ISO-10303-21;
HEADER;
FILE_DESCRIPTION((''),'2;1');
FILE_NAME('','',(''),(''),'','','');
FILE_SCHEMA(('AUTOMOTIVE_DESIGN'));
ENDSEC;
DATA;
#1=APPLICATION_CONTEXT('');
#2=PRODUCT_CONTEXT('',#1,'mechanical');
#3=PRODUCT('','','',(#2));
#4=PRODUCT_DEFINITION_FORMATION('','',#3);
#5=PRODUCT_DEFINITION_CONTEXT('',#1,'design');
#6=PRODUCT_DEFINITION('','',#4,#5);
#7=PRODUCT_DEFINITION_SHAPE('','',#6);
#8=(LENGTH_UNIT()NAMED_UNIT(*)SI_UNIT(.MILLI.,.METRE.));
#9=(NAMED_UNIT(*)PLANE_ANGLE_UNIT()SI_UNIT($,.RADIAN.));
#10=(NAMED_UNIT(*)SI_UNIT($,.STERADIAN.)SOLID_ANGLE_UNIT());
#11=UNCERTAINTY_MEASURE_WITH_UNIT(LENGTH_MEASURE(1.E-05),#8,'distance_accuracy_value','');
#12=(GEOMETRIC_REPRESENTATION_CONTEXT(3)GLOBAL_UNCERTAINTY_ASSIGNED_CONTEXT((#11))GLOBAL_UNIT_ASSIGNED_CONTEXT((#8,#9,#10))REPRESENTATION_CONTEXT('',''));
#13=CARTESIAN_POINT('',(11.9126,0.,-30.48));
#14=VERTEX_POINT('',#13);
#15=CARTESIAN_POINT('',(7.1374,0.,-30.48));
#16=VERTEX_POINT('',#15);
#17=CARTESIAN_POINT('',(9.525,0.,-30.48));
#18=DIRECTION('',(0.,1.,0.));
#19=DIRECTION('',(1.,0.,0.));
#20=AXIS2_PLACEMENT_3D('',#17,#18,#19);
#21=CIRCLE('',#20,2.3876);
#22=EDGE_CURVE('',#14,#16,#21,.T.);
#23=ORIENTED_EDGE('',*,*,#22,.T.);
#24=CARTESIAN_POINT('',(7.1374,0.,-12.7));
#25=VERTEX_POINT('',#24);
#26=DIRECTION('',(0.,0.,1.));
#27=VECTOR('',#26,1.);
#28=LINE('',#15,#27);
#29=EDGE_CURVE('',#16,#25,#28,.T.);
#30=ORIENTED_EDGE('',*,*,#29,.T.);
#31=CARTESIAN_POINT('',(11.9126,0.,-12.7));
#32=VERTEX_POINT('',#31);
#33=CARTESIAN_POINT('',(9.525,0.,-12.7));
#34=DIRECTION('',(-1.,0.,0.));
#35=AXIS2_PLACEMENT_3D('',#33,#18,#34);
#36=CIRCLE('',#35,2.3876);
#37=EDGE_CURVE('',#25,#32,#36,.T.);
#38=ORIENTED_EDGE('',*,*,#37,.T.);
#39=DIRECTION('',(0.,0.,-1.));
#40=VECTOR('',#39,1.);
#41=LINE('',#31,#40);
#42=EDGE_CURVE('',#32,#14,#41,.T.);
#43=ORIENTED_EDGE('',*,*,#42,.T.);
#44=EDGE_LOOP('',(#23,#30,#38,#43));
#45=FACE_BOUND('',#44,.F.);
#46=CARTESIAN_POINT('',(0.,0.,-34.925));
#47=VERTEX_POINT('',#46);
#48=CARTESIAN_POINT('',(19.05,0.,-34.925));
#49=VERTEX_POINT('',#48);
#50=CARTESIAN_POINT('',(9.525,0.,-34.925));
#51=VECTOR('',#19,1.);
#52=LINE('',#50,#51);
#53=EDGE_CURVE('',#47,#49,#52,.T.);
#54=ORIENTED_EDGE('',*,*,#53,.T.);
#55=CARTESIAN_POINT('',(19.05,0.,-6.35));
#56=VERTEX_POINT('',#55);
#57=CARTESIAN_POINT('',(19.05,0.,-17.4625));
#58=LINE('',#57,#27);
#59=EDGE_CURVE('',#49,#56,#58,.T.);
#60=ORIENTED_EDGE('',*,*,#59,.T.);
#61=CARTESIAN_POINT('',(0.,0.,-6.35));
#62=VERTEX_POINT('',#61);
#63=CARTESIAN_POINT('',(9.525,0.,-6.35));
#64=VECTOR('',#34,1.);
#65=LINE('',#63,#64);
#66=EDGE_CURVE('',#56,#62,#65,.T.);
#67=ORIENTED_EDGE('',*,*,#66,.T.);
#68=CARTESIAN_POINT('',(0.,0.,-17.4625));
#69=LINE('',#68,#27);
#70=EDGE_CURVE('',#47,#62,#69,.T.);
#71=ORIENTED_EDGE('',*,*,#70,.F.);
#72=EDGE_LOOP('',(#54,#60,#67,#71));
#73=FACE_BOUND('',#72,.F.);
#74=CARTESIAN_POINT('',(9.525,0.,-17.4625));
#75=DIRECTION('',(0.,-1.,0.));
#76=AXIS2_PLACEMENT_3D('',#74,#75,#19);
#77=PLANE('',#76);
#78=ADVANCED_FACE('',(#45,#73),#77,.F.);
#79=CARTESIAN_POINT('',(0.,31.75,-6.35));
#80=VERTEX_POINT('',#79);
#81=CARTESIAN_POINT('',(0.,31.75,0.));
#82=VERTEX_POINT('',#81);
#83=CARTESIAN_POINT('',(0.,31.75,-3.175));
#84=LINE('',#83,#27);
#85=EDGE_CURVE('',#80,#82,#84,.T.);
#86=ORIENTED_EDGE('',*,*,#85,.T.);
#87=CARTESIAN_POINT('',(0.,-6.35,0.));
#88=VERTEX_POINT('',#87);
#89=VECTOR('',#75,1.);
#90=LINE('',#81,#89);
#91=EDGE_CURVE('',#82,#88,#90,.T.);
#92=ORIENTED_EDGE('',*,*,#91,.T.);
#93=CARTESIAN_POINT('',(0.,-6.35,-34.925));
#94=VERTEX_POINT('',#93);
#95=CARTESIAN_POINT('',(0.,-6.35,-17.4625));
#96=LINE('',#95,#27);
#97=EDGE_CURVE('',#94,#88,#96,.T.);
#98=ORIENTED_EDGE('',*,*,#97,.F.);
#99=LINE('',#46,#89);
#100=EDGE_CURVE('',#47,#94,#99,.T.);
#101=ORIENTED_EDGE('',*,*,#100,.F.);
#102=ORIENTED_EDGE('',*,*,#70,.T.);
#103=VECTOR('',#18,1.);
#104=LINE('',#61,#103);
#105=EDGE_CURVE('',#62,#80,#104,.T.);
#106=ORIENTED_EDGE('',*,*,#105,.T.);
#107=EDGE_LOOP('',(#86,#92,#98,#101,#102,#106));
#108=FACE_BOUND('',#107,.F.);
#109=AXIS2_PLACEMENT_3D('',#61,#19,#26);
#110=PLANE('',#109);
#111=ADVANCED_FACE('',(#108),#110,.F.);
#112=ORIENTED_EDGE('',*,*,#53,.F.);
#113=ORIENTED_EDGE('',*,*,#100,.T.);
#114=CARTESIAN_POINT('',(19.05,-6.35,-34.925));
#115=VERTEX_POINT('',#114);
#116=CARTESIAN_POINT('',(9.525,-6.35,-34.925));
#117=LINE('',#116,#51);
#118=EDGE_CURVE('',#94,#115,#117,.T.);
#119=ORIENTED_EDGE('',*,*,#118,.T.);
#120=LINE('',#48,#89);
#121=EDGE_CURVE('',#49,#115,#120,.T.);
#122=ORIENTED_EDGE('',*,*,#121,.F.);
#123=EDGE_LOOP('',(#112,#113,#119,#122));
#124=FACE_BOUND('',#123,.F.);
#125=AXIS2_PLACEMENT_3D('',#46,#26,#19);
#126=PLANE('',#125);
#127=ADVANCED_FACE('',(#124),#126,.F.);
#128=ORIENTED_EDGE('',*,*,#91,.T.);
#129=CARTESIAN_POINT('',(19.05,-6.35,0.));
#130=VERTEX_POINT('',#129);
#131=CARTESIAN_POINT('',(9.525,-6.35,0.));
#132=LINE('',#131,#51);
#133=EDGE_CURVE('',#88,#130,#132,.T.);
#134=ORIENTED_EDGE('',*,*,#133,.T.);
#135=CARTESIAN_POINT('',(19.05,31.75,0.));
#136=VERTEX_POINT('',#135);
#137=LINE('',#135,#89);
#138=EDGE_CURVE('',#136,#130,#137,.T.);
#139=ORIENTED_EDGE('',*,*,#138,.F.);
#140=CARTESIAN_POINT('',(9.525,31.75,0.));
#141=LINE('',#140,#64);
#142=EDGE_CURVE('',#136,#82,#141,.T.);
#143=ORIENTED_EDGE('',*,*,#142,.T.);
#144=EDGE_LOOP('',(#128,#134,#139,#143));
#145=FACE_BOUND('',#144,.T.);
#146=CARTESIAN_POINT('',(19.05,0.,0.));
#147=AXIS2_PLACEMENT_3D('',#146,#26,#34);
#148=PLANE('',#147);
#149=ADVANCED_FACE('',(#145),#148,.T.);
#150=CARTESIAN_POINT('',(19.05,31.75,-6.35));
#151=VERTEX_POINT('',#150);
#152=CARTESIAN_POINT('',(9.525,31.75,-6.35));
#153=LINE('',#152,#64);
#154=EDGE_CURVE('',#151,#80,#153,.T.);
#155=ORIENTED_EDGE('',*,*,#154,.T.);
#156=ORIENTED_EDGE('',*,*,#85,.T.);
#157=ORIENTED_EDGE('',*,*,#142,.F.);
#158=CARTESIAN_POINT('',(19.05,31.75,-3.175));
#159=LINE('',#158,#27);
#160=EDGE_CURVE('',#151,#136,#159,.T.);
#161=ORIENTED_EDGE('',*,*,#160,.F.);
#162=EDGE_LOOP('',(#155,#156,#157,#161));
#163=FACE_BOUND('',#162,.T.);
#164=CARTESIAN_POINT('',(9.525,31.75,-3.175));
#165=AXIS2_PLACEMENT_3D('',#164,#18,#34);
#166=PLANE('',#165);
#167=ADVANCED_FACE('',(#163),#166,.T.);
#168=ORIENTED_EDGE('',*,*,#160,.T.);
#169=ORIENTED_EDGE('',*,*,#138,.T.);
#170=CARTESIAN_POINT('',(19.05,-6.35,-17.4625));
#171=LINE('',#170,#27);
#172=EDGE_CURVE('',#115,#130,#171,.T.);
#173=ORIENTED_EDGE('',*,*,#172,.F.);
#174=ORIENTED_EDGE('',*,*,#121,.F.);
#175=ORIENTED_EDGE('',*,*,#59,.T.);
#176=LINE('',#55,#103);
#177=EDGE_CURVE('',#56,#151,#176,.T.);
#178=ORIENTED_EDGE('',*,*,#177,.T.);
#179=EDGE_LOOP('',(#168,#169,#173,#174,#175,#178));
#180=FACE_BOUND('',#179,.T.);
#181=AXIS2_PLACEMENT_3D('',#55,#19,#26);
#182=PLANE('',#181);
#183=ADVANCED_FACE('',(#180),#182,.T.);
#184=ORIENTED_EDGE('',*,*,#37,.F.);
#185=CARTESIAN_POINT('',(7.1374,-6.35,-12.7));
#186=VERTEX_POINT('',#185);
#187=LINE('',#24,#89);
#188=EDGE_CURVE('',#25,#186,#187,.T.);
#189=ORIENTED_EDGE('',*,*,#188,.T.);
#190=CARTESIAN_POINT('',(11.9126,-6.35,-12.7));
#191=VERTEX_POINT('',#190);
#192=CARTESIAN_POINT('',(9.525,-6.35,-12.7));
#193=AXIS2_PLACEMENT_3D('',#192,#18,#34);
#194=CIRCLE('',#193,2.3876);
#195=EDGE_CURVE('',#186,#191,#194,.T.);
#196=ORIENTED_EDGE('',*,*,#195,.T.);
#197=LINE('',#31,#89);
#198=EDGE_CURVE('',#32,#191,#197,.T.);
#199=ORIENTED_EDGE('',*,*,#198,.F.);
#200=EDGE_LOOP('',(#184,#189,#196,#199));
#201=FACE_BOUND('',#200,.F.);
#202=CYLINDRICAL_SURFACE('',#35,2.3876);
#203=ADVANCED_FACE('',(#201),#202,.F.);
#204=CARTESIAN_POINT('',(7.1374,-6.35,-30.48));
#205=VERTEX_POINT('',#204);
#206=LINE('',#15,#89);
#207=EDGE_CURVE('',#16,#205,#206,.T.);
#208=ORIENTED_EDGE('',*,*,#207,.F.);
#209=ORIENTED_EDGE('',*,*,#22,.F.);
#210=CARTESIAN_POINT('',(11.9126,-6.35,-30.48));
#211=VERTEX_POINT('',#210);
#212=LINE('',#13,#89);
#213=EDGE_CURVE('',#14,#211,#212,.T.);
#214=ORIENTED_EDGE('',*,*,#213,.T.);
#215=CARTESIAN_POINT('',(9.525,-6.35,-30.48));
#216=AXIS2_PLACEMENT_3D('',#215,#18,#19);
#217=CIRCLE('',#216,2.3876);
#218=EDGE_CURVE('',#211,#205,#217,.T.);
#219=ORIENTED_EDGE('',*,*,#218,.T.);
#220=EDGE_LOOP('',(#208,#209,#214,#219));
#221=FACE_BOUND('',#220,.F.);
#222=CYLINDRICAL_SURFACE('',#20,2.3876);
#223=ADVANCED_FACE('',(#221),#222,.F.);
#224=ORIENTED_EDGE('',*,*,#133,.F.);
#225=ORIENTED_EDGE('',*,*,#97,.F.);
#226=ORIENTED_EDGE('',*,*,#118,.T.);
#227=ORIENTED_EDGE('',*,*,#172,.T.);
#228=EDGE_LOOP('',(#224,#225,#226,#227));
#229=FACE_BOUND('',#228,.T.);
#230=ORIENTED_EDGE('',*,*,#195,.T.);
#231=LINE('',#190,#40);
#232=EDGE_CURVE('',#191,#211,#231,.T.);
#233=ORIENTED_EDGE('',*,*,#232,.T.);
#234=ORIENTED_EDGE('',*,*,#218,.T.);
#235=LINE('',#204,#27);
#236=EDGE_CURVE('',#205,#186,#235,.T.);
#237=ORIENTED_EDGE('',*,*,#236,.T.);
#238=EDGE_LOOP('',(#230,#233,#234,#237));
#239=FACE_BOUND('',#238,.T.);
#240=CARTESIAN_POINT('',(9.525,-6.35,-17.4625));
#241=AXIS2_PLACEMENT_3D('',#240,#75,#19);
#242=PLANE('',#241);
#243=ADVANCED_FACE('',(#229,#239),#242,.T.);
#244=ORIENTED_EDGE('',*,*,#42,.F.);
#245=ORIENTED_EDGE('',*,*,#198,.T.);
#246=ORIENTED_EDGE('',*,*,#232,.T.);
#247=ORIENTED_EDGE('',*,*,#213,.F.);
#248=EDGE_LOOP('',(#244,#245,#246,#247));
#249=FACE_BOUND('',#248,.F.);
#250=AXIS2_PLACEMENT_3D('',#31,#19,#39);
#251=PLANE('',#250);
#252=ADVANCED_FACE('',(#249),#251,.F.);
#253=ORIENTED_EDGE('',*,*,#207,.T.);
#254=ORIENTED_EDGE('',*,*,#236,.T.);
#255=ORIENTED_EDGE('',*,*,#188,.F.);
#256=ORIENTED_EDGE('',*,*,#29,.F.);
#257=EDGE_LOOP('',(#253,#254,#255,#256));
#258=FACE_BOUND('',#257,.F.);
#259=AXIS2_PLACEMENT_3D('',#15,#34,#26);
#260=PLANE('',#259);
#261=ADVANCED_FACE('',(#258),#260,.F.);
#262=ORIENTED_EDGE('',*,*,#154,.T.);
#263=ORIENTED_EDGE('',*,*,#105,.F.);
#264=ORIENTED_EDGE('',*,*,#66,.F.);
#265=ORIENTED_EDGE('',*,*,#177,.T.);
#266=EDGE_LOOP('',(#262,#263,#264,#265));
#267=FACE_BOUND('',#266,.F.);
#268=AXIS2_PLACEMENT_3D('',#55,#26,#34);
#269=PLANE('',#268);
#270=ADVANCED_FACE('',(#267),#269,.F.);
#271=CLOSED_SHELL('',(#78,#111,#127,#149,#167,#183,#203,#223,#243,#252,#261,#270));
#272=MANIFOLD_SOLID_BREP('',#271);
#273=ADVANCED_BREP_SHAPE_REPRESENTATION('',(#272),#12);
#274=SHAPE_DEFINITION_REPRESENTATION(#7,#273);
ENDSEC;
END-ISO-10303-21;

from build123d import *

# Parameters (mm, degrees)
F0_W     = 19.05
F0_H     = 34.925
F1_DEPTH = 6.35
F2_W     = 19.05
F2_H     = 6.35
F3_DEPTH = 31.75


with BuildPart() as f1:
    # F0 (on Front) → F1 (new body)
    with BuildSketch(Plane.XZ):
        with Locations((9.525, -17.4625)):
            Rectangle(F0_W, F0_H)
        with BuildLine():
            ThreePointArc((7.1374, -12.7), (9.525, -10.3124), (11.9126, -12.7))
            Line((11.9126, -12.7), (11.9126, -30.48))
            ThreePointArc((11.9126, -30.48), (9.525, -32.8676), (7.1374, -30.48))
            Line((7.1374, -30.48), (7.1374, -12.7))
        make_face(mode=Mode.SUBTRACT)
    extrude(amount=F1_DEPTH)

    # F2 (on face) → F3 (join)
    with BuildSketch(Plane(origin=(0, 0, 0), x_dir=(-1, 0, 0), z_dir=(0, 1, 0))):
        with Locations((-9.525, -3.175)):
            Rectangle(F2_W, F2_H)
    extrude(amount=F3_DEPTH)


solid = f1.part
